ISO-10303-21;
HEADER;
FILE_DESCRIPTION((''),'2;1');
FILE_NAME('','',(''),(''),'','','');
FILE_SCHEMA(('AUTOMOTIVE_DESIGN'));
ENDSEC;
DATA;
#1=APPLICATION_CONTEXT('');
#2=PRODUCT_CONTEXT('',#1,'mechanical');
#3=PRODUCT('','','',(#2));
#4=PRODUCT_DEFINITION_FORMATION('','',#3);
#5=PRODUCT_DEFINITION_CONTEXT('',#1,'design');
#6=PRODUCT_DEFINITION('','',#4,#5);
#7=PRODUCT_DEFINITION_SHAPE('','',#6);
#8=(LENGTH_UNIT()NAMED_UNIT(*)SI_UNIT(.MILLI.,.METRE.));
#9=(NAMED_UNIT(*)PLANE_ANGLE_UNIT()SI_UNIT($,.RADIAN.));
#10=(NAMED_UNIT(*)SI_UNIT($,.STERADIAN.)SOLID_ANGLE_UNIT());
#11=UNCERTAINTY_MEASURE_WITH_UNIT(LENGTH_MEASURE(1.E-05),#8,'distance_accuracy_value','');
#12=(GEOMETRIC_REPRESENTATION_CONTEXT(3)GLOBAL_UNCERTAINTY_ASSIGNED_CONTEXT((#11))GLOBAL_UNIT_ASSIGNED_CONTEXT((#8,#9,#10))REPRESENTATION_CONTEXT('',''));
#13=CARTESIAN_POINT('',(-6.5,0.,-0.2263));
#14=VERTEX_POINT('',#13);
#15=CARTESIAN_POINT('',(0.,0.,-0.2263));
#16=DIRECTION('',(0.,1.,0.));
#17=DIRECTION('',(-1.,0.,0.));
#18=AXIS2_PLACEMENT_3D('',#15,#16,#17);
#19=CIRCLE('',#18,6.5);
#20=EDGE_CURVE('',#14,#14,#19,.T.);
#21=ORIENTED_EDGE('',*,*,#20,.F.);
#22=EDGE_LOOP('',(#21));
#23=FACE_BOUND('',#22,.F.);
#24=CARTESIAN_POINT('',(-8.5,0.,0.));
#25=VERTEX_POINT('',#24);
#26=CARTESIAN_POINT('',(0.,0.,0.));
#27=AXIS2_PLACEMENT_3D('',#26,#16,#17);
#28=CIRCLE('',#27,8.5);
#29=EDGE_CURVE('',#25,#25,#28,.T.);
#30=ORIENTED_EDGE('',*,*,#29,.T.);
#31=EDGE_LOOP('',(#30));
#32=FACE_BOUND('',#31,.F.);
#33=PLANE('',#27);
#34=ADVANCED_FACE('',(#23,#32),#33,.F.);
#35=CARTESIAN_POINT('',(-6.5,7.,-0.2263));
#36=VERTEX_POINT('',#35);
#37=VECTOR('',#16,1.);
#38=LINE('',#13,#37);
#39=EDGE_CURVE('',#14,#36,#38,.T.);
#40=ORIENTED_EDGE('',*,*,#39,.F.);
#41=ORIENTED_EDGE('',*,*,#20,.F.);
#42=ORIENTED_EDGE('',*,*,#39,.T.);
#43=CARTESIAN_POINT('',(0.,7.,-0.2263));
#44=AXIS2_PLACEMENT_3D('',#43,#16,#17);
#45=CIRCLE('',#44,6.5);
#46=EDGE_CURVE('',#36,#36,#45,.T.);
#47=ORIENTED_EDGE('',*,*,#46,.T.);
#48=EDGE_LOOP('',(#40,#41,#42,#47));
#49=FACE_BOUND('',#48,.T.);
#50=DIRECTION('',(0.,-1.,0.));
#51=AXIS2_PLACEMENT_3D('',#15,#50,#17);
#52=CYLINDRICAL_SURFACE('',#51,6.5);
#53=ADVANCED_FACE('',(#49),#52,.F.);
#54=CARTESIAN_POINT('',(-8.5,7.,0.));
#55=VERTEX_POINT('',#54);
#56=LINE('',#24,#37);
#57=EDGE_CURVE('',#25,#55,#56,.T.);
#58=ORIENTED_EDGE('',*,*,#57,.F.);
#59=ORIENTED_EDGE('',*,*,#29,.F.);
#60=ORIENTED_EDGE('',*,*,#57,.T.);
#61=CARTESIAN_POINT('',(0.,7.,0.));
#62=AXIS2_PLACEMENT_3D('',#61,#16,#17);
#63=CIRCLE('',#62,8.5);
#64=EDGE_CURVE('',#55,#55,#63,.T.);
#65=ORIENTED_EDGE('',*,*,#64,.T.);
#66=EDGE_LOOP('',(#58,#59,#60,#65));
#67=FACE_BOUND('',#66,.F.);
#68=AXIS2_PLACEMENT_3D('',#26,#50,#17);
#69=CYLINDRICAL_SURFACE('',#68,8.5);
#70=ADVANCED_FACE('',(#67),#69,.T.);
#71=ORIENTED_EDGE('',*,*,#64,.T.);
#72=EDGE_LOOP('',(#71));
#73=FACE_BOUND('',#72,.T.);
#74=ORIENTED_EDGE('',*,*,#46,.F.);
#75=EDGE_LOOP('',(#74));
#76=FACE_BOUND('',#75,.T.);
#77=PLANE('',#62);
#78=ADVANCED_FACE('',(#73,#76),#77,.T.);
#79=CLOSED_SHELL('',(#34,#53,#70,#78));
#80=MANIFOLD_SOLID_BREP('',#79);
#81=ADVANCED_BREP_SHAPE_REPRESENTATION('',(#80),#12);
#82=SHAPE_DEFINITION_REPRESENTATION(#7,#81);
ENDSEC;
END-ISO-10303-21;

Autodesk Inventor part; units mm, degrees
ref_plane "YZ Plane" through (0, 0, 0) normal (1, 0, 0) x (0, 1, 0)
ref_plane "XZ Plane" through (0, 0, 0) normal (0, 1, 0) x (-1, 0, 0)
ref_plane "XY Plane" through (0, 0, 0) normal (0, 0, 1) x (1, 0, 0)
sketch "Esboço1" plane through (0, 0, 0) normal (0, 1, 0) x (-1, 0, 0)
  circle A0 centre (0, 0) radius 8.5
  circle A1 centre (0, -0.2263) radius 6.5
  dimension "d0" = 17
  dimension "d1" = 13
extrude "Extrusão1" add sketch "Esboço1" along normal blind 7
properties part number "rosca2"
